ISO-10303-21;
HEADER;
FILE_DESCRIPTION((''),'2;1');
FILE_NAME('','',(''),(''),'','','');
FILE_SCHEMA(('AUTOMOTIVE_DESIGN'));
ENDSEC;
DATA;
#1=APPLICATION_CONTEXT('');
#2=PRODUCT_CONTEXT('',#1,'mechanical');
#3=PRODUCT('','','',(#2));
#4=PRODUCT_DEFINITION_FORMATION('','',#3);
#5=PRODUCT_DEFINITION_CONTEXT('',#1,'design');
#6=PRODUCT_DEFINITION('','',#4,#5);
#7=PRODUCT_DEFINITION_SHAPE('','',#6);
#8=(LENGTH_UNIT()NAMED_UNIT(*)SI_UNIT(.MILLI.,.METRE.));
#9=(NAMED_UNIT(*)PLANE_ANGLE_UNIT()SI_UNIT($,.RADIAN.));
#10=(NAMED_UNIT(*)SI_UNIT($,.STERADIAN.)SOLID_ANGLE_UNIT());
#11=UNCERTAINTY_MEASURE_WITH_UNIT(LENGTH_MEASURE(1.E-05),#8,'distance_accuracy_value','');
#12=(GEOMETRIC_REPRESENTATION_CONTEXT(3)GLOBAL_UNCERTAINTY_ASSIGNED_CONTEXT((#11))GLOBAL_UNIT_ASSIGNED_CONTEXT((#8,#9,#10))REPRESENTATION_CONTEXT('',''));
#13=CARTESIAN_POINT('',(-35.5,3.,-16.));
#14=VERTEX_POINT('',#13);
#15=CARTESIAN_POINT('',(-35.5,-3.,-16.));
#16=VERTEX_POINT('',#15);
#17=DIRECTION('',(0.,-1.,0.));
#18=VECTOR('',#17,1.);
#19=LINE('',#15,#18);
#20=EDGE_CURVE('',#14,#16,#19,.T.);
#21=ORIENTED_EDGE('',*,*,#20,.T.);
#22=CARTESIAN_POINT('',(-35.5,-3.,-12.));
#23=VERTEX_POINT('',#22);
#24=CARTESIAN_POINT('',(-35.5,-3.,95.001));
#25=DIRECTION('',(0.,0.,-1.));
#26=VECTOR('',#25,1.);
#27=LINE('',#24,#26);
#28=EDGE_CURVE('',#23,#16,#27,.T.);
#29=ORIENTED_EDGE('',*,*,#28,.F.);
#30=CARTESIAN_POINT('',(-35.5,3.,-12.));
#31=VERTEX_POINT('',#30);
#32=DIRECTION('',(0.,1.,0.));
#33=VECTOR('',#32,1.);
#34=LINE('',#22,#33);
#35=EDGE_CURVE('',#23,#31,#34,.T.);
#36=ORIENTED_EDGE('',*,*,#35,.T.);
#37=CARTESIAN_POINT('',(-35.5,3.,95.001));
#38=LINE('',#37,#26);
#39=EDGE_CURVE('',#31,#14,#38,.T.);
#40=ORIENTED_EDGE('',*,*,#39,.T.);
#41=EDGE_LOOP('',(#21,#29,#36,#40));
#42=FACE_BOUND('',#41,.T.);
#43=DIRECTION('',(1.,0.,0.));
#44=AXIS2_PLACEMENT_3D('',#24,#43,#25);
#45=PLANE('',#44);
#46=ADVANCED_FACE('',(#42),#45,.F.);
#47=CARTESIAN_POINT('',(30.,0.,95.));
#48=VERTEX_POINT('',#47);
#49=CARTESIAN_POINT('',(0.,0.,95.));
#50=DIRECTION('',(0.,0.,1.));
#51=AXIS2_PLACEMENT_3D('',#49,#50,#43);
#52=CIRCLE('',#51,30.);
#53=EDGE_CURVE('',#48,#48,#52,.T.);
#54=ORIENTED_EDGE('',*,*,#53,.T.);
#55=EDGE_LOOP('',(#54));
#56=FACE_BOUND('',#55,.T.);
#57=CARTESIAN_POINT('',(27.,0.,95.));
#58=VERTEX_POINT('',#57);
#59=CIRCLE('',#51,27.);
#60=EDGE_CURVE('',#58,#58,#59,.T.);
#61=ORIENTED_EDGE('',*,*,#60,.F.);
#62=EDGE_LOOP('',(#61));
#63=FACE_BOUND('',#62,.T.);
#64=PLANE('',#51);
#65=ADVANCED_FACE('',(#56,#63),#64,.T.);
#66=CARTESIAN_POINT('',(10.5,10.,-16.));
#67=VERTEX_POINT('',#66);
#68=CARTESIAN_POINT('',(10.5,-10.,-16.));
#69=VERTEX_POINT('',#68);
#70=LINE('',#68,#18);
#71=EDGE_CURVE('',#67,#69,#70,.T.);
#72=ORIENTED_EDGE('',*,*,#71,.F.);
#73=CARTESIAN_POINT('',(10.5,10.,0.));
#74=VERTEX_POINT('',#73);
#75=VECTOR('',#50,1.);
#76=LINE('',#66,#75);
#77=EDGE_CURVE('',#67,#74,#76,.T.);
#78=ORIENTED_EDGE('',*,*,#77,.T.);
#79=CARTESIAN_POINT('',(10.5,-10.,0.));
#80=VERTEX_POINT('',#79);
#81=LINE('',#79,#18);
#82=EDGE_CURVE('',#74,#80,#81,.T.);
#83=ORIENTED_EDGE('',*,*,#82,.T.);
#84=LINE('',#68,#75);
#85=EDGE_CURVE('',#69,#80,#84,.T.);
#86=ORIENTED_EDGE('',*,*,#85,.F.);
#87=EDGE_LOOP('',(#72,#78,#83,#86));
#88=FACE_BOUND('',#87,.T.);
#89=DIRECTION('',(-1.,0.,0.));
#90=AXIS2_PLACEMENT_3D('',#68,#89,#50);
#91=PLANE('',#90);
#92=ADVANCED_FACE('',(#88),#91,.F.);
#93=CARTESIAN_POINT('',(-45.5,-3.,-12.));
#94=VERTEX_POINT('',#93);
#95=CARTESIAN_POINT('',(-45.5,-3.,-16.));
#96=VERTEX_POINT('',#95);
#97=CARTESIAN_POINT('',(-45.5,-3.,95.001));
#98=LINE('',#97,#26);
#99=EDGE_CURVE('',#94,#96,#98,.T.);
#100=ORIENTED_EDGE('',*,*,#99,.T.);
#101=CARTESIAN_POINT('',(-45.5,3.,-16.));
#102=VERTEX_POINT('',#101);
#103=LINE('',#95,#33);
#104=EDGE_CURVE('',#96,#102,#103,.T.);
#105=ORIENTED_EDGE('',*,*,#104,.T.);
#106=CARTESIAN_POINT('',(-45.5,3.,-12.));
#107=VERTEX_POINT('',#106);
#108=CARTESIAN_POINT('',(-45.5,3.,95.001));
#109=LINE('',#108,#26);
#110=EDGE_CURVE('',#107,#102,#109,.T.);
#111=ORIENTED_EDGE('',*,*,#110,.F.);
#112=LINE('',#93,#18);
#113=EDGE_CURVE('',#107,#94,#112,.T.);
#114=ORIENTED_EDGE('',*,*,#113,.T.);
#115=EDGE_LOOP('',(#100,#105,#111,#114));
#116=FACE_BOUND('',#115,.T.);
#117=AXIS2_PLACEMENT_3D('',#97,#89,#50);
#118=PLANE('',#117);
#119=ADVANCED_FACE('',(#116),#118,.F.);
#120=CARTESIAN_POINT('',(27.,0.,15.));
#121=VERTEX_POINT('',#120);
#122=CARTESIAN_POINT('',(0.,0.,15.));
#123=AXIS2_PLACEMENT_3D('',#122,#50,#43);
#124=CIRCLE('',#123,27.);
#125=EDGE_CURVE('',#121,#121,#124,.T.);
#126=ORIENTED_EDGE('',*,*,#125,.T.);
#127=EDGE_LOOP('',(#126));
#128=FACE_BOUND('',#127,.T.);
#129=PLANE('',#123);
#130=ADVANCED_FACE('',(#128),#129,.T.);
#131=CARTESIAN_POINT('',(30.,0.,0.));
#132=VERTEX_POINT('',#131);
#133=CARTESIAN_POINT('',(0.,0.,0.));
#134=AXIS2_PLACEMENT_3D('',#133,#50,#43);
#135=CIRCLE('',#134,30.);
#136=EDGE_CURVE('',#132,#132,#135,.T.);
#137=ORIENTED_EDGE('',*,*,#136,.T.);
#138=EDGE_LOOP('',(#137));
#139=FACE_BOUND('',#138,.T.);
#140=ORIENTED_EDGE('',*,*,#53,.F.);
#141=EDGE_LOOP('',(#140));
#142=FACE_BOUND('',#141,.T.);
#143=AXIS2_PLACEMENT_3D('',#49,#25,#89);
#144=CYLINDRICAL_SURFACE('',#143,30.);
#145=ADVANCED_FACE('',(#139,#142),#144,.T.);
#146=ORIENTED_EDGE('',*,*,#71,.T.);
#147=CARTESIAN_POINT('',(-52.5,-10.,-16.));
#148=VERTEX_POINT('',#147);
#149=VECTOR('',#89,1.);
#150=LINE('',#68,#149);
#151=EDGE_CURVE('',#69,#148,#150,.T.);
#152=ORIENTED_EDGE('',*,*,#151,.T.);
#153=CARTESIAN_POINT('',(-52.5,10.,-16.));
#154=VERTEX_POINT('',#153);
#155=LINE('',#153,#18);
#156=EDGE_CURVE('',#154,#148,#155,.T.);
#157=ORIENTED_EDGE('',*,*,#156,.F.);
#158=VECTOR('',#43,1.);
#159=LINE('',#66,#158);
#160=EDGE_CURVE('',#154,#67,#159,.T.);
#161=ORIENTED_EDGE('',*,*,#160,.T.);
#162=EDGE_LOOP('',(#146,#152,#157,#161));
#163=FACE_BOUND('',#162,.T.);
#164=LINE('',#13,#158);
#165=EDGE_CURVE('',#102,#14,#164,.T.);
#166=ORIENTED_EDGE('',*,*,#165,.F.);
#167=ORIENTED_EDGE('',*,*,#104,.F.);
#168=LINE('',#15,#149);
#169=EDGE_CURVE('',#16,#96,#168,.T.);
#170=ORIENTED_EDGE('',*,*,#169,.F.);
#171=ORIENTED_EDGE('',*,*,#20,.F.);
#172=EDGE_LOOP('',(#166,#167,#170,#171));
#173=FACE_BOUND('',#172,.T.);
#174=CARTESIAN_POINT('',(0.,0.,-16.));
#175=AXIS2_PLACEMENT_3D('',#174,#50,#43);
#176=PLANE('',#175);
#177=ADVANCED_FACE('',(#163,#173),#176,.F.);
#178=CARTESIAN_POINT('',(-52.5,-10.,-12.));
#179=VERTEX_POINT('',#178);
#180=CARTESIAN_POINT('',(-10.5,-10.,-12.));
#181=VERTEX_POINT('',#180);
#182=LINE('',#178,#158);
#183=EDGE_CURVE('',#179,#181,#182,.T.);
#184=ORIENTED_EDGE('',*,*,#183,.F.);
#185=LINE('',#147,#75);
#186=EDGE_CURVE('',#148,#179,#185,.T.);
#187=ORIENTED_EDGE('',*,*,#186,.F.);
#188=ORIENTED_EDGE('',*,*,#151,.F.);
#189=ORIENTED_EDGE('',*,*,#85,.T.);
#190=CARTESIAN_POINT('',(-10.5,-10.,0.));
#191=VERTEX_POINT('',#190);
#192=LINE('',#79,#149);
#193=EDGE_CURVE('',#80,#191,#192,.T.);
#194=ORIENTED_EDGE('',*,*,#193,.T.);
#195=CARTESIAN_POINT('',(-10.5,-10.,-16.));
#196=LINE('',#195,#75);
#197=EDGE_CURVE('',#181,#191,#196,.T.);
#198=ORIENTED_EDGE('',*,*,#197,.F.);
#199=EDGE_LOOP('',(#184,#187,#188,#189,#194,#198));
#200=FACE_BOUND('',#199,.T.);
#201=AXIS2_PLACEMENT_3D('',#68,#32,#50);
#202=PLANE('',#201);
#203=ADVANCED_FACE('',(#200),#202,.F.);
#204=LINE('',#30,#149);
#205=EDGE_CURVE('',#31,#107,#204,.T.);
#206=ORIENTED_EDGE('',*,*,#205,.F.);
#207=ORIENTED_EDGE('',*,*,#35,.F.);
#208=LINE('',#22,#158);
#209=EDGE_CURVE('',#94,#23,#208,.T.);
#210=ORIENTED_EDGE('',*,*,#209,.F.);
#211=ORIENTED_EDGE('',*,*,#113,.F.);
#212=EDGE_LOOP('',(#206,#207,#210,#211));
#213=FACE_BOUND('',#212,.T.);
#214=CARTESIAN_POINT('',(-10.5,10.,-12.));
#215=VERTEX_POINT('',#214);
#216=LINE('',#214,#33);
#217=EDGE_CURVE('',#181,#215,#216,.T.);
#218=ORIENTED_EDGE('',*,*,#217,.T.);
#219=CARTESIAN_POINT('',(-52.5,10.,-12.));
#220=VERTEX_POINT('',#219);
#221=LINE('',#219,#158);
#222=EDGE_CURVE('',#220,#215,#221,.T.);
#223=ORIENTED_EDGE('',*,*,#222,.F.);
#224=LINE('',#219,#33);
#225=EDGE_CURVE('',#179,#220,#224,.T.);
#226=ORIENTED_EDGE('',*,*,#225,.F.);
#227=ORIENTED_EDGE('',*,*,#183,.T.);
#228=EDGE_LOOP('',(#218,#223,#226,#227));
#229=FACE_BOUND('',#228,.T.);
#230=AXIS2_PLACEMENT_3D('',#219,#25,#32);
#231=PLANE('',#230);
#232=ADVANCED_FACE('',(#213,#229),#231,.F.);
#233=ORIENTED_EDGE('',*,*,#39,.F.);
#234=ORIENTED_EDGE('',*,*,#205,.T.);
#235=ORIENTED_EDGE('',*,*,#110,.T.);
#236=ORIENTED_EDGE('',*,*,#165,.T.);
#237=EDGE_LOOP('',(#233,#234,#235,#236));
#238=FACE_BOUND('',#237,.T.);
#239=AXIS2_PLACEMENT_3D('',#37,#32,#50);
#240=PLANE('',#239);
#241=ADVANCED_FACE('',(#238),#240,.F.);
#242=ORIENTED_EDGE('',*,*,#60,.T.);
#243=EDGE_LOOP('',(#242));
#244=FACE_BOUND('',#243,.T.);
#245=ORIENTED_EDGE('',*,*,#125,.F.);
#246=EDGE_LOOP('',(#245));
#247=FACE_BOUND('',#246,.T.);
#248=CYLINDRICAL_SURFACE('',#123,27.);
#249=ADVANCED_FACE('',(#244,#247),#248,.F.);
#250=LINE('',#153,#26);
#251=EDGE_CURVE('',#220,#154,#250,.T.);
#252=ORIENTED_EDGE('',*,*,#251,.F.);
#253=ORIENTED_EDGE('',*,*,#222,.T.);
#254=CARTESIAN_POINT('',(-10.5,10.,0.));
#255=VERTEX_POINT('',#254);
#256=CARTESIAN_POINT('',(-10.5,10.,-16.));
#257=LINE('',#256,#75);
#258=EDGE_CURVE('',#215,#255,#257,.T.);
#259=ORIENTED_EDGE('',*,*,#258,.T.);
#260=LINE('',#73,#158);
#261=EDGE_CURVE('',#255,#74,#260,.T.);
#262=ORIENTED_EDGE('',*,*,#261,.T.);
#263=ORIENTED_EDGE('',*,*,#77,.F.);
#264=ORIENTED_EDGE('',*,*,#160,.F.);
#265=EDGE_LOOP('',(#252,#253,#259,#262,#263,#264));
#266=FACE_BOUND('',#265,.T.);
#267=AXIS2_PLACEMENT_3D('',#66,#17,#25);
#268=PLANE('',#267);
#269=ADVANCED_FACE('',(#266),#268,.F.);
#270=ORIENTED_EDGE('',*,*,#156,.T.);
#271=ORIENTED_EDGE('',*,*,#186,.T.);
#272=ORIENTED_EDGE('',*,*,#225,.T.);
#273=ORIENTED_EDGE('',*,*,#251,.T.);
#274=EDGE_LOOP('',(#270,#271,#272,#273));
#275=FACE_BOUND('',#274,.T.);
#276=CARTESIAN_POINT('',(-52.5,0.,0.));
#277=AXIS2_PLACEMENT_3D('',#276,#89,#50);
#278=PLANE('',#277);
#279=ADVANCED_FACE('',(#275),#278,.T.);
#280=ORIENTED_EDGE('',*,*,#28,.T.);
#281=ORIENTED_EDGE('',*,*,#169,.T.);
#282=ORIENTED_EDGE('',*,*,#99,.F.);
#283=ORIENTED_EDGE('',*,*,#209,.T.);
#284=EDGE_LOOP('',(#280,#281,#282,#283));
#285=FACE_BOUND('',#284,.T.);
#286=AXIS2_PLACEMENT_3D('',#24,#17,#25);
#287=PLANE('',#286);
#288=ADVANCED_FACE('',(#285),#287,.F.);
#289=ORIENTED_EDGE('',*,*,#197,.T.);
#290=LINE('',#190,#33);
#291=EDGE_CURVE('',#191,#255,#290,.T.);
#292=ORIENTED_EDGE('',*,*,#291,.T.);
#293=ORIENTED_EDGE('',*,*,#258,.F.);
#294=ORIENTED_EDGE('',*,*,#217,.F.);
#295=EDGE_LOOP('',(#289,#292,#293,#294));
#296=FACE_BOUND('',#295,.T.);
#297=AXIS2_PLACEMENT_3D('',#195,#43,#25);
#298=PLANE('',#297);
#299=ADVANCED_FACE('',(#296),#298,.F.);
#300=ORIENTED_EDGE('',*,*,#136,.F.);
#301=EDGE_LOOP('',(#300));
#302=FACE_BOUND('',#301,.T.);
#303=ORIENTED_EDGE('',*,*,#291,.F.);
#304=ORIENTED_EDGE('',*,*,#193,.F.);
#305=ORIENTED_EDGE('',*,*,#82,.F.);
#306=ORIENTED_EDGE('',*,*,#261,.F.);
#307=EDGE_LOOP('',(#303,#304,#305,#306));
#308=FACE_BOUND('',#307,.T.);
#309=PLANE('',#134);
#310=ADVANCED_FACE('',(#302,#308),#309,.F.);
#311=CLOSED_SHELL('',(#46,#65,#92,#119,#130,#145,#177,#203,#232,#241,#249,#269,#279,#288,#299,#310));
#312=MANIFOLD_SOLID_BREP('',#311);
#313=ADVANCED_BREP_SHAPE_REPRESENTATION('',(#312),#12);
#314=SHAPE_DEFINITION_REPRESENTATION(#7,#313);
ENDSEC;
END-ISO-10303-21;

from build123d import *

# Parameters (mm, degrees)
ESQUISSE1_R             = 30
BOSS_EXTRU_1_DEPTH      = 95
ESQUISSE2_R             = 27
ENL_V_MAT_EXTRU_1_DEPTH = 80
ESQUISSE3_W             = 21
ESQUISSE3_H             = 20
BOSS_EXTRU_2_DEPTH      = 16
ESQUISSE4_W             = 4
ESQUISSE4_H             = 20
BOSS_EXTRU_3_DEPTH      = 42
ENL_V_MAT_EXTRU_2_REACH = 128.401
ESQUISSE5_W             = 10
ESQUISSE5_H             = 6


with BuildPart() as part:
    # Esquisse1 → Boss.-Extru.1 (new body)
    with BuildSketch(Plane.XY):
        Circle(ESQUISSE1_R)
    extrude(amount=BOSS_EXTRU_1_DEPTH)

    # Esquisse2 → Enlèv. mat.-Extru.1 (cut)
    with BuildSketch(Plane.XY.offset(95)):
        Circle(ESQUISSE2_R)
    extrude(amount=-ENL_V_MAT_EXTRU_1_DEPTH, mode=Mode.SUBTRACT)

    # Esquisse3 → Boss.-Extru.2 (add)
    with BuildSketch(Plane(origin=(0, 0, 0), x_dir=(-1, 0, 0), z_dir=(0, 0, -1))):
        Rectangle(ESQUISSE3_W, ESQUISSE3_H)
    extrude(amount=BOSS_EXTRU_2_DEPTH)

    # Esquisse4 → Boss.-Extru.3 (add)
    with BuildSketch(Plane.ZY.offset(10.5)):
        with Locations((-14, 0)):
            Rectangle(ESQUISSE4_W, ESQUISSE4_H)
    extrude(amount=BOSS_EXTRU_3_DEPTH)

    # Esquisse5 → Enlèv. mat.-Extru.2 (cut, up to next)
    with BuildSketch(Plane(origin=(0, 0, -16), x_dir=(-1, 0, 0), z_dir=(0, 0, -1)), mode=Mode.PRIVATE) as enl_v_mat_extru_2_sk1:
        with Locations((40.5, 0)):
            Rectangle(ESQUISSE5_W, ESQUISSE5_H)
    enl_v_mat_extru_2_tool1 = extrude(enl_v_mat_extru_2_sk1.sketch, amount=-ENL_V_MAT_EXTRU_2_REACH, mode=Mode.PRIVATE) & part.part
    add(enl_v_mat_extru_2_tool1.solids().sort_by_distance((-40.5, 0, -16))[0], mode=Mode.SUBTRACT)


solid = part.part
